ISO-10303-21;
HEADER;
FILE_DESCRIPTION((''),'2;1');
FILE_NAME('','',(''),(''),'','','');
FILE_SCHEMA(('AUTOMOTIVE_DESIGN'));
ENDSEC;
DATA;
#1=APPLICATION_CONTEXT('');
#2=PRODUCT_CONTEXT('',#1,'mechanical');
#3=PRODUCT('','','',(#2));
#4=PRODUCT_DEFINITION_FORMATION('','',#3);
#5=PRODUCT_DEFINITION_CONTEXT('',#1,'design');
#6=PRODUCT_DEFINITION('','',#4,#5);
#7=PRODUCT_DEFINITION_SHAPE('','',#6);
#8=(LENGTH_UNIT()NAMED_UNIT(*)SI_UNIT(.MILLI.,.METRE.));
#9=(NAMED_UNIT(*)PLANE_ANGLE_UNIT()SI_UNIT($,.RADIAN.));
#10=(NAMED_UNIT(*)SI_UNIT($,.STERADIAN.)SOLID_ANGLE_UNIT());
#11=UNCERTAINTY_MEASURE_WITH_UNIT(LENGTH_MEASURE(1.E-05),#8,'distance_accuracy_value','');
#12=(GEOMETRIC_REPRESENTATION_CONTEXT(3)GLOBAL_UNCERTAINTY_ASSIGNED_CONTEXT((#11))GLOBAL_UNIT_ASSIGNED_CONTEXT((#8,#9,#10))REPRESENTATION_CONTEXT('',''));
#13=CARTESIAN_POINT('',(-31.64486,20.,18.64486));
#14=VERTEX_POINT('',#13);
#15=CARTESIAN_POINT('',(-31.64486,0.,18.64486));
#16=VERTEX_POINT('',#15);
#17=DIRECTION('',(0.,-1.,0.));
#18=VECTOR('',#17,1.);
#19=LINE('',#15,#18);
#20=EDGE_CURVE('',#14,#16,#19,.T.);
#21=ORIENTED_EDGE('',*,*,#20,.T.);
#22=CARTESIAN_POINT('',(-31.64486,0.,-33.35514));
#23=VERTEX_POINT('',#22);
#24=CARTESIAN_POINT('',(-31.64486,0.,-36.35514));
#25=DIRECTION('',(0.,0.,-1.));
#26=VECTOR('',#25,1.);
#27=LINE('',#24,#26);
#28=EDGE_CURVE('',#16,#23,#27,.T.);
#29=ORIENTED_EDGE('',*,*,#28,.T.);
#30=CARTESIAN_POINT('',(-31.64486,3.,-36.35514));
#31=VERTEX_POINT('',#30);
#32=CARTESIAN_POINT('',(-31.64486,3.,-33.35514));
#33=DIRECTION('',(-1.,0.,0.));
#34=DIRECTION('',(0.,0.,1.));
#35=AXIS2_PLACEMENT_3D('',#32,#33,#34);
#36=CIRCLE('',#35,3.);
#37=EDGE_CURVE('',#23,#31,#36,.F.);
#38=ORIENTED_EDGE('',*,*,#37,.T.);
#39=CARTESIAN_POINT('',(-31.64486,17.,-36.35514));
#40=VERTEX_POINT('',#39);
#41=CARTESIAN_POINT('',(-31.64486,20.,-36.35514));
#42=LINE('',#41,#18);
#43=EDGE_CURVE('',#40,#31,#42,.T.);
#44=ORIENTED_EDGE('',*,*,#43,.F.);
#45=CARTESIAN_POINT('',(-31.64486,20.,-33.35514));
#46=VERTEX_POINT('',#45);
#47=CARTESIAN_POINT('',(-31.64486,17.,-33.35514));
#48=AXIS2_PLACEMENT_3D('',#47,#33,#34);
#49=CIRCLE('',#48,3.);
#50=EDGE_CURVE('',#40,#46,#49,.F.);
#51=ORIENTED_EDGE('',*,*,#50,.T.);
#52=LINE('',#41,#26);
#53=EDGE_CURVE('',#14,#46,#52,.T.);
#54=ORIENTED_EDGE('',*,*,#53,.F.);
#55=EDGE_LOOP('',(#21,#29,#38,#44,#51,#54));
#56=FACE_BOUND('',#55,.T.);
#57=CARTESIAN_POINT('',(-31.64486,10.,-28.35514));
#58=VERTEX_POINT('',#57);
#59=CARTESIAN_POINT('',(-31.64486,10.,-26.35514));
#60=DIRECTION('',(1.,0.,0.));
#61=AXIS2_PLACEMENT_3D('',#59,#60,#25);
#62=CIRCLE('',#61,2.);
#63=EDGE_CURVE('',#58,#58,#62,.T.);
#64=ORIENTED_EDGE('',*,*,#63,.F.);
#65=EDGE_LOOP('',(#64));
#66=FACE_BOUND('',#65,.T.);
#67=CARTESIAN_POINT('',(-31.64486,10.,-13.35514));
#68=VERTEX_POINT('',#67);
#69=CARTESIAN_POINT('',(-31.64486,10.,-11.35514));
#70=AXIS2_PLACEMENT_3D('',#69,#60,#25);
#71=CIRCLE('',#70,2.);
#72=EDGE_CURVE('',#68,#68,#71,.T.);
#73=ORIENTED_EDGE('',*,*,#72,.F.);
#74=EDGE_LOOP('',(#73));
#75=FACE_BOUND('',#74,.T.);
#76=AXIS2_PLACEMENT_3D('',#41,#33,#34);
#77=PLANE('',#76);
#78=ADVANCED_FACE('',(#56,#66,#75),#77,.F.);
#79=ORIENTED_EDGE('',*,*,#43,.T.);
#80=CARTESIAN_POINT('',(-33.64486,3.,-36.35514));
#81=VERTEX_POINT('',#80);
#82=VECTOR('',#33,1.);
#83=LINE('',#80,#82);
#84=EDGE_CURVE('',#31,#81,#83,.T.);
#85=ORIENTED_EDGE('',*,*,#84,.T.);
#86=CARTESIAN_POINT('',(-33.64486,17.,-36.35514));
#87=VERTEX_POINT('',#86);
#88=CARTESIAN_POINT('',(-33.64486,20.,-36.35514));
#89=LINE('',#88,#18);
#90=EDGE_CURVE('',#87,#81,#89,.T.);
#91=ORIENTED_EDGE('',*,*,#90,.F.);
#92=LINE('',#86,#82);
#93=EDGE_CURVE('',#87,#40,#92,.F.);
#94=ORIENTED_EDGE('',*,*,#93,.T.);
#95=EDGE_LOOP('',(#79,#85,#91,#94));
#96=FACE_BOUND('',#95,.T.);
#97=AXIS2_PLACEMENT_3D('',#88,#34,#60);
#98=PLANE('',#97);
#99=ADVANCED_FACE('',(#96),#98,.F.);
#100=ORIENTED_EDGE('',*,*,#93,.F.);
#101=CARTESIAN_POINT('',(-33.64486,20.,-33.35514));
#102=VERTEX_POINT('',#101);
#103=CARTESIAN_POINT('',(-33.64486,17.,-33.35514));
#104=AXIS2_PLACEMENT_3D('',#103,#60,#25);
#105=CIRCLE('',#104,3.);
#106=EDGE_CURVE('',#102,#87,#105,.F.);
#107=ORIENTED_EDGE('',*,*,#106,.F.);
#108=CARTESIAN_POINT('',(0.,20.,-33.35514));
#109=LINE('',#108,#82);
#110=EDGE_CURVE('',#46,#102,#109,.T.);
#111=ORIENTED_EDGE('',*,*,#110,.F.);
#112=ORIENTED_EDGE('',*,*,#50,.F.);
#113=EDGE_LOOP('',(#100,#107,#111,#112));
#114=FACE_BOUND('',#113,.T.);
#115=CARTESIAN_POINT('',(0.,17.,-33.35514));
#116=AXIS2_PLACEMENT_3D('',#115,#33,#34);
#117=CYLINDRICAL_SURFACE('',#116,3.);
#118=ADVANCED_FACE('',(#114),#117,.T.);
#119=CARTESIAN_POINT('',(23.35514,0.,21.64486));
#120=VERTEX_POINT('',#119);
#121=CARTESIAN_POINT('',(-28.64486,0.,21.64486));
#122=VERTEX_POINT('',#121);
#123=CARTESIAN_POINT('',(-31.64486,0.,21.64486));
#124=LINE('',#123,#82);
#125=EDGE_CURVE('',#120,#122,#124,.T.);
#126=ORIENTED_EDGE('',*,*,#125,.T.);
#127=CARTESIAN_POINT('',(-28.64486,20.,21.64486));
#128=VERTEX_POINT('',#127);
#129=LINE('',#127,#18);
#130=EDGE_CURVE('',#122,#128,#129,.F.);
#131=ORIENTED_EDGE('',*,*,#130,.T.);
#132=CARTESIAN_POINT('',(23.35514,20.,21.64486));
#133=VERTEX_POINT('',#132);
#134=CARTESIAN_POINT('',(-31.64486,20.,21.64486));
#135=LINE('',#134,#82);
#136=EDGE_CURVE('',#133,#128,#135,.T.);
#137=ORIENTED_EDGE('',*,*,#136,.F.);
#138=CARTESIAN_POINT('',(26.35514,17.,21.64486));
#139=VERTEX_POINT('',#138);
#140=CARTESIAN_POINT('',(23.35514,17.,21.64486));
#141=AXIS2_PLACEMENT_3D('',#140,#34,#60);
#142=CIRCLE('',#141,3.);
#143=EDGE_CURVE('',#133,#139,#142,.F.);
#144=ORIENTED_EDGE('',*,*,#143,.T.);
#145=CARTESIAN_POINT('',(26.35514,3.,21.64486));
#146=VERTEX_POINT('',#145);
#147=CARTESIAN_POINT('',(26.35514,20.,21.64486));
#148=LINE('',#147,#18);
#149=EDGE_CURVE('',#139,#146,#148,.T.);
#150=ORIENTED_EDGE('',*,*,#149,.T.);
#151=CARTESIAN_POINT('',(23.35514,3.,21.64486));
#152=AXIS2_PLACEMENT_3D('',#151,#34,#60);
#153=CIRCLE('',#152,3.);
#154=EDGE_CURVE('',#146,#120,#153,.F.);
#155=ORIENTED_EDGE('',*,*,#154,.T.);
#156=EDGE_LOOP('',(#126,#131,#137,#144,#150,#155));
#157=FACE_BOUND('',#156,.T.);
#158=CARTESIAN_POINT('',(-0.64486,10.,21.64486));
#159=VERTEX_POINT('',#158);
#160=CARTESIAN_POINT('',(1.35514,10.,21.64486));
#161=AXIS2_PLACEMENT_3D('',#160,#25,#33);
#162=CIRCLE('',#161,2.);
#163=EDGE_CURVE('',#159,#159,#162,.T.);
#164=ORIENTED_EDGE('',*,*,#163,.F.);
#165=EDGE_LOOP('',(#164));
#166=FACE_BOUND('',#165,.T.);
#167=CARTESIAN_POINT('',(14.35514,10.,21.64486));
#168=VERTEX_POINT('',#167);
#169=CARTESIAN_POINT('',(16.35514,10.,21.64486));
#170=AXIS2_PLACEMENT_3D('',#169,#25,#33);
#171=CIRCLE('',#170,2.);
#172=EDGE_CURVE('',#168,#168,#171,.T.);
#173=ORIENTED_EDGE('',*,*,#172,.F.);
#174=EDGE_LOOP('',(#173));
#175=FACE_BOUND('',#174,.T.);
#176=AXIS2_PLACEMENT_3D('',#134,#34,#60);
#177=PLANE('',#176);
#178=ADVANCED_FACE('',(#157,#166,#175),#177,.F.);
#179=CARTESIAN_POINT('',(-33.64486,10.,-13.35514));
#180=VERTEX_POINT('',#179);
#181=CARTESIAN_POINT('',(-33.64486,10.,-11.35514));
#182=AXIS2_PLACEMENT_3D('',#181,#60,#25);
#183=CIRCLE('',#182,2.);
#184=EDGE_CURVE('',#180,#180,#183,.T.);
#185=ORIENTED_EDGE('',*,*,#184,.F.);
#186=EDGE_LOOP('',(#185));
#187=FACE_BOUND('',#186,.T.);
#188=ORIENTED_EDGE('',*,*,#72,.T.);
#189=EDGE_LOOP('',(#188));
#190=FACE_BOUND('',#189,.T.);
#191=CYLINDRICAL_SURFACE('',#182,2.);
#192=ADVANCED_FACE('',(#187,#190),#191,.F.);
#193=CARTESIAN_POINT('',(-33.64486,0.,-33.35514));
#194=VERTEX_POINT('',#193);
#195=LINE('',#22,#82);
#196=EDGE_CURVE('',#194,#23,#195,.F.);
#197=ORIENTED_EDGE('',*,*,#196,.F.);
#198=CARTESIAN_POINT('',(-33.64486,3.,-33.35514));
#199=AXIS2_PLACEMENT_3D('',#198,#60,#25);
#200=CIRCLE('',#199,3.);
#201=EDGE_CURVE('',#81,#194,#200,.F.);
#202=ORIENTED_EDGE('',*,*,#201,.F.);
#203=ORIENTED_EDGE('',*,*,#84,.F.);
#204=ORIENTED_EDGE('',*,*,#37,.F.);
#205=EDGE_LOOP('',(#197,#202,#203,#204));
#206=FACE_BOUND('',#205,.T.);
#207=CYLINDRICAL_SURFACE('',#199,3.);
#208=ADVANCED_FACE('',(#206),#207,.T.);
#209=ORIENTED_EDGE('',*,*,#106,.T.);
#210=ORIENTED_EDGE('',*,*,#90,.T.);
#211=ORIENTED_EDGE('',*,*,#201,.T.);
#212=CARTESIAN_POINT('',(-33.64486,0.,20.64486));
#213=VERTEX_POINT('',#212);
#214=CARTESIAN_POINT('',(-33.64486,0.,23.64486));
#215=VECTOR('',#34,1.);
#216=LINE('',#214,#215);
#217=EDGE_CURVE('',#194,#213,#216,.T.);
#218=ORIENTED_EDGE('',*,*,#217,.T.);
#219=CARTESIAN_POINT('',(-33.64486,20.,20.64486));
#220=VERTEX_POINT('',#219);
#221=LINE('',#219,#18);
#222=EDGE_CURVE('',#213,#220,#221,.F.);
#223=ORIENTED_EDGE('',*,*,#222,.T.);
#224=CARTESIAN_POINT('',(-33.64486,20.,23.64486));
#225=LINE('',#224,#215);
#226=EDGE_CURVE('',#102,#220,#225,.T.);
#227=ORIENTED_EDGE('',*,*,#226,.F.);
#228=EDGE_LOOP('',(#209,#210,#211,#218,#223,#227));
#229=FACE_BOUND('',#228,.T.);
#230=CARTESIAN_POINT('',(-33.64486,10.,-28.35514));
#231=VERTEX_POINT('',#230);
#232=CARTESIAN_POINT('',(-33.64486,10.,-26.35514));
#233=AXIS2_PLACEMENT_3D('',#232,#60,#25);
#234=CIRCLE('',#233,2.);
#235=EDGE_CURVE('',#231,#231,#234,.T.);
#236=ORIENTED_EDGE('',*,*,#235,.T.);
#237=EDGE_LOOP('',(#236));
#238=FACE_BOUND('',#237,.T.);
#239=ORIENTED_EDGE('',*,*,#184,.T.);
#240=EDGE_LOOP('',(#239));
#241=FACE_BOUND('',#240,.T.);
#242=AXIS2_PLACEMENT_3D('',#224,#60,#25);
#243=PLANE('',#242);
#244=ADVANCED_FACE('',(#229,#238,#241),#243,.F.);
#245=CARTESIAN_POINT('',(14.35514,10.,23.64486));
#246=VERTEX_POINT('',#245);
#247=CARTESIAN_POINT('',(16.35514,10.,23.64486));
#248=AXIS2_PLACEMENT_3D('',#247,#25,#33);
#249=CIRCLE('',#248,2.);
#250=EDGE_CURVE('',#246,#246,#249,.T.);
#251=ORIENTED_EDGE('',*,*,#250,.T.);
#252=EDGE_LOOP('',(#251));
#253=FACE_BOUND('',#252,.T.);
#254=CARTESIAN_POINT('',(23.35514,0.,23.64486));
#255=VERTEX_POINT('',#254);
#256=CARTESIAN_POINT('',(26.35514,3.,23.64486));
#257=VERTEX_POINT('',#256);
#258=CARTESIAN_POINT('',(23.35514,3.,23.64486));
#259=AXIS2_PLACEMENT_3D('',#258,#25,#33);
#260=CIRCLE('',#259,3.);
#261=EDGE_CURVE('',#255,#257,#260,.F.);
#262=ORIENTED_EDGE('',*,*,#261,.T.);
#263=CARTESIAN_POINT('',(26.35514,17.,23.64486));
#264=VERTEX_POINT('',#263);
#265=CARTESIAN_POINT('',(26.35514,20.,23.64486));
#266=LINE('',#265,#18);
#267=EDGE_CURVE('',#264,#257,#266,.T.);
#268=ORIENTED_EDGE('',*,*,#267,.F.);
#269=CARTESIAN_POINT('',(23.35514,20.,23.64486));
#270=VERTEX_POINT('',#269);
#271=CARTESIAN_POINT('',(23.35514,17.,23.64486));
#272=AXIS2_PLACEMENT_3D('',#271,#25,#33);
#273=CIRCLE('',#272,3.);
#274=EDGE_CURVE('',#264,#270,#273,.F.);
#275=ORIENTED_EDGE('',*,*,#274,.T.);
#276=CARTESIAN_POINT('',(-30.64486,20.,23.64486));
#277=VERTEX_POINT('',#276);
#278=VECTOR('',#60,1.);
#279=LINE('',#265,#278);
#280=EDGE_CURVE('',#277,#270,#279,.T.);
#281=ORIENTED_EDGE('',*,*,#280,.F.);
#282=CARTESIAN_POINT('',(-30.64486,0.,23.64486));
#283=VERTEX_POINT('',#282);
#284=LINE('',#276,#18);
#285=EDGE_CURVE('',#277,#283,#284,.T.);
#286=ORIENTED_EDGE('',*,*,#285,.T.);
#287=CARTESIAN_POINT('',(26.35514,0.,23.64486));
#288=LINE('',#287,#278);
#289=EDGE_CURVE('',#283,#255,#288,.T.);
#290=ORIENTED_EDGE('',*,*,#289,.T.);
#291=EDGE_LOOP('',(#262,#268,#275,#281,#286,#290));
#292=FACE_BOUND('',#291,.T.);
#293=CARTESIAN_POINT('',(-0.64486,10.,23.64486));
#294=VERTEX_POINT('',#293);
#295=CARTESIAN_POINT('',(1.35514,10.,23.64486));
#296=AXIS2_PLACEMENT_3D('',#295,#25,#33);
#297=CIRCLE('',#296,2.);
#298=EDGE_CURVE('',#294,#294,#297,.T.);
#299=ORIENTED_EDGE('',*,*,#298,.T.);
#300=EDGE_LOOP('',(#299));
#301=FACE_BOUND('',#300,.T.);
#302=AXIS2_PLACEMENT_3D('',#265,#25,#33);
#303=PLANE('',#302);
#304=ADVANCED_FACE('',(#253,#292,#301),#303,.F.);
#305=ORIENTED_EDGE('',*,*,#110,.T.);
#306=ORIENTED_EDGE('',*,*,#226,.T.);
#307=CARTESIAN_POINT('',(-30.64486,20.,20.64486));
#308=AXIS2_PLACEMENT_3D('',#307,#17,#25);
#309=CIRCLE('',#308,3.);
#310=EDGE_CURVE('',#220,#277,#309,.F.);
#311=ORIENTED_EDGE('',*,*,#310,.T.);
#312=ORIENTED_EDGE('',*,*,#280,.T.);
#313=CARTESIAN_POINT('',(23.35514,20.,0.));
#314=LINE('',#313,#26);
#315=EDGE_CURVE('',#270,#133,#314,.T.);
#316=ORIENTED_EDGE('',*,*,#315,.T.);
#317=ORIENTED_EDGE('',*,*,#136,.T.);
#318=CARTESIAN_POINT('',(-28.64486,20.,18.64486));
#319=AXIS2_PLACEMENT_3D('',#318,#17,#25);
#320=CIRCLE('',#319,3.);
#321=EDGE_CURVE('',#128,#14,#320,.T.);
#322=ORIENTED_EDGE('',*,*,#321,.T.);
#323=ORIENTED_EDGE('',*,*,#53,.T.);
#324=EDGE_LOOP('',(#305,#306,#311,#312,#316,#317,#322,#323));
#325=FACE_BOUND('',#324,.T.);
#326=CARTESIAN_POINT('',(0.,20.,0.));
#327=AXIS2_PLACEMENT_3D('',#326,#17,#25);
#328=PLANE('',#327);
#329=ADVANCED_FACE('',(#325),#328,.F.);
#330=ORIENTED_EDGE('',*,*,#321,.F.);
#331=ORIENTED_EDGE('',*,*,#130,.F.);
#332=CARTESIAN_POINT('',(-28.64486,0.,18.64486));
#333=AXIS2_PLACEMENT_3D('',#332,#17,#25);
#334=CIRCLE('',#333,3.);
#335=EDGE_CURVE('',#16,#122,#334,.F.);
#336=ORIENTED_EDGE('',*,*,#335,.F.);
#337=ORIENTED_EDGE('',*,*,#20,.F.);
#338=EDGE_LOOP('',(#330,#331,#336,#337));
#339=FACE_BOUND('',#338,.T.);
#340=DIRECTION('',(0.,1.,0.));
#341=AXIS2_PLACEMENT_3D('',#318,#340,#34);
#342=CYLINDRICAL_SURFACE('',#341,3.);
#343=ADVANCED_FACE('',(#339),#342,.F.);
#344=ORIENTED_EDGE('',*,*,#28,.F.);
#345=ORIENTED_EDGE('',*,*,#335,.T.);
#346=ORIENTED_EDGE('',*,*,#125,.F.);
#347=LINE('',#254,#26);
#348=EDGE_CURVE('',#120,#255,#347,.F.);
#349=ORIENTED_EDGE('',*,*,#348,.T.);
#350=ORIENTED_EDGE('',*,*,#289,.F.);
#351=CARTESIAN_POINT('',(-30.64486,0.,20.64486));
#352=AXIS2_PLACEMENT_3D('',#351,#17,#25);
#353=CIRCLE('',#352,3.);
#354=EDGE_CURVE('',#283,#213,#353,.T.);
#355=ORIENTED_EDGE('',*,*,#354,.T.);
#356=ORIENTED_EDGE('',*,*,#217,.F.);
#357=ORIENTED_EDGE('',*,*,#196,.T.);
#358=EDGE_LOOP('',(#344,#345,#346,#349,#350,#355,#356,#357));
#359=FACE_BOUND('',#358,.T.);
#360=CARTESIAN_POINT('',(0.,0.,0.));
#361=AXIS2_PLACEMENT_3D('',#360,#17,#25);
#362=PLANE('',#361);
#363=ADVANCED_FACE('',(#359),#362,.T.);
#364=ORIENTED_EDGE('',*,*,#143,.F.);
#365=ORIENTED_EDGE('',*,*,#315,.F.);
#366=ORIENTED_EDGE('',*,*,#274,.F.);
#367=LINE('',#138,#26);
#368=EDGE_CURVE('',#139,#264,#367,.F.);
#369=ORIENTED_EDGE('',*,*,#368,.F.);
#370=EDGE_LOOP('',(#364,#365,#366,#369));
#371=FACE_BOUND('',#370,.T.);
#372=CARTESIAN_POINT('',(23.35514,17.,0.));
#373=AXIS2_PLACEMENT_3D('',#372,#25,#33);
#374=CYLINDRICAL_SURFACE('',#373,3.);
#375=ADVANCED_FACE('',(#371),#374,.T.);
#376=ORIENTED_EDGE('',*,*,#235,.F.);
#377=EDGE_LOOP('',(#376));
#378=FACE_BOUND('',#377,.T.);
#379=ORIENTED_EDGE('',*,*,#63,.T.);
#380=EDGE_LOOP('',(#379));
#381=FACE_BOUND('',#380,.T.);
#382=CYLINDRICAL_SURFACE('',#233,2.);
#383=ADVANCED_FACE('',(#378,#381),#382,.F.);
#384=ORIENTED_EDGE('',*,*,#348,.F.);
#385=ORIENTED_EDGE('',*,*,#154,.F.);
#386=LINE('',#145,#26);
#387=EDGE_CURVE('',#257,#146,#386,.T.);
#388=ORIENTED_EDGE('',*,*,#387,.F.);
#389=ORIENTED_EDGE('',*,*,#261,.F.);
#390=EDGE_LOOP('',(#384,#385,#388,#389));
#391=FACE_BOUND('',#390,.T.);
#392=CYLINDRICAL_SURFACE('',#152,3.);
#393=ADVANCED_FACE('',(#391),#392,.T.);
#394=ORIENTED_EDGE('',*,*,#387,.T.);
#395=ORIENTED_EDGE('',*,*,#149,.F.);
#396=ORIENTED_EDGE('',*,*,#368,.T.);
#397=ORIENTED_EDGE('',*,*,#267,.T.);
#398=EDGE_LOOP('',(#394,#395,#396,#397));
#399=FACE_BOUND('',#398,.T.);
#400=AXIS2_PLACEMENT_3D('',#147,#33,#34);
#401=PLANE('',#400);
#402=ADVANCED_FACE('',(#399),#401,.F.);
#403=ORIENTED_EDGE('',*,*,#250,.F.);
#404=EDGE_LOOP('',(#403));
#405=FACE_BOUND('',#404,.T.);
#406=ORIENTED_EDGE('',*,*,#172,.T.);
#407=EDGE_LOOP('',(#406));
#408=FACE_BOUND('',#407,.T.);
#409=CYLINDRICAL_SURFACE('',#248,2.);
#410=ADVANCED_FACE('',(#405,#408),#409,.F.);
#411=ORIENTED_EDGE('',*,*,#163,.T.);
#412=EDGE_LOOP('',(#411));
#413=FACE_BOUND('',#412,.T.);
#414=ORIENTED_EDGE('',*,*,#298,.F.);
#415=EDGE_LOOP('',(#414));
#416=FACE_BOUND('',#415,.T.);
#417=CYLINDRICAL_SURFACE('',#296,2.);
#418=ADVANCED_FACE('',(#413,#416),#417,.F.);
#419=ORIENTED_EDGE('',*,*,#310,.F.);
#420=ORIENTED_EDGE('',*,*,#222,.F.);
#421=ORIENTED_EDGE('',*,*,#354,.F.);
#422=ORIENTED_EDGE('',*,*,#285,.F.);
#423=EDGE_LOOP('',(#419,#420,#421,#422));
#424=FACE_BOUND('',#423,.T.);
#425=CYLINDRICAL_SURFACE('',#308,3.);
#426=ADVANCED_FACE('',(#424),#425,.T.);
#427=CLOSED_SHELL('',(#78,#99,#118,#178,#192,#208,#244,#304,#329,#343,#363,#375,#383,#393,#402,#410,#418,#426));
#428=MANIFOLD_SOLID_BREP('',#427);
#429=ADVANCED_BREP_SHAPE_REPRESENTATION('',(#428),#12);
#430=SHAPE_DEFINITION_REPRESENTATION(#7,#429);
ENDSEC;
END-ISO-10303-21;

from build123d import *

# Parameters (mm, degrees)
BOSS_EXTRUDE1_DEPTH = 20
FILLET1_R           = 3
SKETCH3_R           = 2
CUT_EXTRUDE1_DEPTH  = 70.971255469
SKETCH4_R           = 2
CUT_EXTRUDE2_DEPTH  = 72.314067462


with BuildPart() as part:
    # Sketch1 → Boss-Extrude1 (new body)
    with BuildSketch(Plane(origin=(0, 0, 0), x_dir=(1, 0, 0), z_dir=(0, 1, 0))):
        Polygon((-31.644859813, 36.355140187), (-31.644859813, -21.644859813), (26.355140187, -21.644859813), (26.355140187, -23.644859813), (-33.644859813, -23.644859813), (-33.644859813, 36.355140187), align=None)
    extrude(amount=BOSS_EXTRUDE1_DEPTH)

    # Fillet1
    fillet1_edges = [part.edges().sort_by_distance(p)[0] for p in [
        (-31.644859813, 10, 21.644859813),
        (-33.644859813, 10, 23.644859813),
        (26.355140187, 20, 22.644859813),
        (-32.644859813, 20, -36.355140187),
        (26.355140187, 0, 22.644859813),
        (-32.644859813, 0, -36.355140187),
    ]]
    fillet(fillet1_edges, radius=FILLET1_R)

    # Sketch3 → Cut-Extrude1 (cut, through all)
    with BuildSketch(Plane(origin=(0, 0, 21.644859813), x_dir=(-1, 0, 0), z_dir=(0, 0, -1))):
        with Locations((-1.355140187, 10)):
            Circle(SKETCH3_R)
        with Locations((-16.355140187, 10)):
            Circle(SKETCH3_R)
    extrude(amount=-CUT_EXTRUDE1_DEPTH, mode=Mode.SUBTRACT)

    # Sketch4 → Cut-Extrude2 (cut, through all)
    with BuildSketch(Plane(origin=(-31.644859813, 0, 0), x_dir=(0, 0, -1), z_dir=(1, 0, 0))):
        with Locations((26.355140187, 10)):
            Circle(SKETCH4_R)
        with Locations((11.355140187, 10)):
            Circle(SKETCH4_R)
    extrude(amount=-CUT_EXTRUDE2_DEPTH, mode=Mode.SUBTRACT)


solid = part.part
